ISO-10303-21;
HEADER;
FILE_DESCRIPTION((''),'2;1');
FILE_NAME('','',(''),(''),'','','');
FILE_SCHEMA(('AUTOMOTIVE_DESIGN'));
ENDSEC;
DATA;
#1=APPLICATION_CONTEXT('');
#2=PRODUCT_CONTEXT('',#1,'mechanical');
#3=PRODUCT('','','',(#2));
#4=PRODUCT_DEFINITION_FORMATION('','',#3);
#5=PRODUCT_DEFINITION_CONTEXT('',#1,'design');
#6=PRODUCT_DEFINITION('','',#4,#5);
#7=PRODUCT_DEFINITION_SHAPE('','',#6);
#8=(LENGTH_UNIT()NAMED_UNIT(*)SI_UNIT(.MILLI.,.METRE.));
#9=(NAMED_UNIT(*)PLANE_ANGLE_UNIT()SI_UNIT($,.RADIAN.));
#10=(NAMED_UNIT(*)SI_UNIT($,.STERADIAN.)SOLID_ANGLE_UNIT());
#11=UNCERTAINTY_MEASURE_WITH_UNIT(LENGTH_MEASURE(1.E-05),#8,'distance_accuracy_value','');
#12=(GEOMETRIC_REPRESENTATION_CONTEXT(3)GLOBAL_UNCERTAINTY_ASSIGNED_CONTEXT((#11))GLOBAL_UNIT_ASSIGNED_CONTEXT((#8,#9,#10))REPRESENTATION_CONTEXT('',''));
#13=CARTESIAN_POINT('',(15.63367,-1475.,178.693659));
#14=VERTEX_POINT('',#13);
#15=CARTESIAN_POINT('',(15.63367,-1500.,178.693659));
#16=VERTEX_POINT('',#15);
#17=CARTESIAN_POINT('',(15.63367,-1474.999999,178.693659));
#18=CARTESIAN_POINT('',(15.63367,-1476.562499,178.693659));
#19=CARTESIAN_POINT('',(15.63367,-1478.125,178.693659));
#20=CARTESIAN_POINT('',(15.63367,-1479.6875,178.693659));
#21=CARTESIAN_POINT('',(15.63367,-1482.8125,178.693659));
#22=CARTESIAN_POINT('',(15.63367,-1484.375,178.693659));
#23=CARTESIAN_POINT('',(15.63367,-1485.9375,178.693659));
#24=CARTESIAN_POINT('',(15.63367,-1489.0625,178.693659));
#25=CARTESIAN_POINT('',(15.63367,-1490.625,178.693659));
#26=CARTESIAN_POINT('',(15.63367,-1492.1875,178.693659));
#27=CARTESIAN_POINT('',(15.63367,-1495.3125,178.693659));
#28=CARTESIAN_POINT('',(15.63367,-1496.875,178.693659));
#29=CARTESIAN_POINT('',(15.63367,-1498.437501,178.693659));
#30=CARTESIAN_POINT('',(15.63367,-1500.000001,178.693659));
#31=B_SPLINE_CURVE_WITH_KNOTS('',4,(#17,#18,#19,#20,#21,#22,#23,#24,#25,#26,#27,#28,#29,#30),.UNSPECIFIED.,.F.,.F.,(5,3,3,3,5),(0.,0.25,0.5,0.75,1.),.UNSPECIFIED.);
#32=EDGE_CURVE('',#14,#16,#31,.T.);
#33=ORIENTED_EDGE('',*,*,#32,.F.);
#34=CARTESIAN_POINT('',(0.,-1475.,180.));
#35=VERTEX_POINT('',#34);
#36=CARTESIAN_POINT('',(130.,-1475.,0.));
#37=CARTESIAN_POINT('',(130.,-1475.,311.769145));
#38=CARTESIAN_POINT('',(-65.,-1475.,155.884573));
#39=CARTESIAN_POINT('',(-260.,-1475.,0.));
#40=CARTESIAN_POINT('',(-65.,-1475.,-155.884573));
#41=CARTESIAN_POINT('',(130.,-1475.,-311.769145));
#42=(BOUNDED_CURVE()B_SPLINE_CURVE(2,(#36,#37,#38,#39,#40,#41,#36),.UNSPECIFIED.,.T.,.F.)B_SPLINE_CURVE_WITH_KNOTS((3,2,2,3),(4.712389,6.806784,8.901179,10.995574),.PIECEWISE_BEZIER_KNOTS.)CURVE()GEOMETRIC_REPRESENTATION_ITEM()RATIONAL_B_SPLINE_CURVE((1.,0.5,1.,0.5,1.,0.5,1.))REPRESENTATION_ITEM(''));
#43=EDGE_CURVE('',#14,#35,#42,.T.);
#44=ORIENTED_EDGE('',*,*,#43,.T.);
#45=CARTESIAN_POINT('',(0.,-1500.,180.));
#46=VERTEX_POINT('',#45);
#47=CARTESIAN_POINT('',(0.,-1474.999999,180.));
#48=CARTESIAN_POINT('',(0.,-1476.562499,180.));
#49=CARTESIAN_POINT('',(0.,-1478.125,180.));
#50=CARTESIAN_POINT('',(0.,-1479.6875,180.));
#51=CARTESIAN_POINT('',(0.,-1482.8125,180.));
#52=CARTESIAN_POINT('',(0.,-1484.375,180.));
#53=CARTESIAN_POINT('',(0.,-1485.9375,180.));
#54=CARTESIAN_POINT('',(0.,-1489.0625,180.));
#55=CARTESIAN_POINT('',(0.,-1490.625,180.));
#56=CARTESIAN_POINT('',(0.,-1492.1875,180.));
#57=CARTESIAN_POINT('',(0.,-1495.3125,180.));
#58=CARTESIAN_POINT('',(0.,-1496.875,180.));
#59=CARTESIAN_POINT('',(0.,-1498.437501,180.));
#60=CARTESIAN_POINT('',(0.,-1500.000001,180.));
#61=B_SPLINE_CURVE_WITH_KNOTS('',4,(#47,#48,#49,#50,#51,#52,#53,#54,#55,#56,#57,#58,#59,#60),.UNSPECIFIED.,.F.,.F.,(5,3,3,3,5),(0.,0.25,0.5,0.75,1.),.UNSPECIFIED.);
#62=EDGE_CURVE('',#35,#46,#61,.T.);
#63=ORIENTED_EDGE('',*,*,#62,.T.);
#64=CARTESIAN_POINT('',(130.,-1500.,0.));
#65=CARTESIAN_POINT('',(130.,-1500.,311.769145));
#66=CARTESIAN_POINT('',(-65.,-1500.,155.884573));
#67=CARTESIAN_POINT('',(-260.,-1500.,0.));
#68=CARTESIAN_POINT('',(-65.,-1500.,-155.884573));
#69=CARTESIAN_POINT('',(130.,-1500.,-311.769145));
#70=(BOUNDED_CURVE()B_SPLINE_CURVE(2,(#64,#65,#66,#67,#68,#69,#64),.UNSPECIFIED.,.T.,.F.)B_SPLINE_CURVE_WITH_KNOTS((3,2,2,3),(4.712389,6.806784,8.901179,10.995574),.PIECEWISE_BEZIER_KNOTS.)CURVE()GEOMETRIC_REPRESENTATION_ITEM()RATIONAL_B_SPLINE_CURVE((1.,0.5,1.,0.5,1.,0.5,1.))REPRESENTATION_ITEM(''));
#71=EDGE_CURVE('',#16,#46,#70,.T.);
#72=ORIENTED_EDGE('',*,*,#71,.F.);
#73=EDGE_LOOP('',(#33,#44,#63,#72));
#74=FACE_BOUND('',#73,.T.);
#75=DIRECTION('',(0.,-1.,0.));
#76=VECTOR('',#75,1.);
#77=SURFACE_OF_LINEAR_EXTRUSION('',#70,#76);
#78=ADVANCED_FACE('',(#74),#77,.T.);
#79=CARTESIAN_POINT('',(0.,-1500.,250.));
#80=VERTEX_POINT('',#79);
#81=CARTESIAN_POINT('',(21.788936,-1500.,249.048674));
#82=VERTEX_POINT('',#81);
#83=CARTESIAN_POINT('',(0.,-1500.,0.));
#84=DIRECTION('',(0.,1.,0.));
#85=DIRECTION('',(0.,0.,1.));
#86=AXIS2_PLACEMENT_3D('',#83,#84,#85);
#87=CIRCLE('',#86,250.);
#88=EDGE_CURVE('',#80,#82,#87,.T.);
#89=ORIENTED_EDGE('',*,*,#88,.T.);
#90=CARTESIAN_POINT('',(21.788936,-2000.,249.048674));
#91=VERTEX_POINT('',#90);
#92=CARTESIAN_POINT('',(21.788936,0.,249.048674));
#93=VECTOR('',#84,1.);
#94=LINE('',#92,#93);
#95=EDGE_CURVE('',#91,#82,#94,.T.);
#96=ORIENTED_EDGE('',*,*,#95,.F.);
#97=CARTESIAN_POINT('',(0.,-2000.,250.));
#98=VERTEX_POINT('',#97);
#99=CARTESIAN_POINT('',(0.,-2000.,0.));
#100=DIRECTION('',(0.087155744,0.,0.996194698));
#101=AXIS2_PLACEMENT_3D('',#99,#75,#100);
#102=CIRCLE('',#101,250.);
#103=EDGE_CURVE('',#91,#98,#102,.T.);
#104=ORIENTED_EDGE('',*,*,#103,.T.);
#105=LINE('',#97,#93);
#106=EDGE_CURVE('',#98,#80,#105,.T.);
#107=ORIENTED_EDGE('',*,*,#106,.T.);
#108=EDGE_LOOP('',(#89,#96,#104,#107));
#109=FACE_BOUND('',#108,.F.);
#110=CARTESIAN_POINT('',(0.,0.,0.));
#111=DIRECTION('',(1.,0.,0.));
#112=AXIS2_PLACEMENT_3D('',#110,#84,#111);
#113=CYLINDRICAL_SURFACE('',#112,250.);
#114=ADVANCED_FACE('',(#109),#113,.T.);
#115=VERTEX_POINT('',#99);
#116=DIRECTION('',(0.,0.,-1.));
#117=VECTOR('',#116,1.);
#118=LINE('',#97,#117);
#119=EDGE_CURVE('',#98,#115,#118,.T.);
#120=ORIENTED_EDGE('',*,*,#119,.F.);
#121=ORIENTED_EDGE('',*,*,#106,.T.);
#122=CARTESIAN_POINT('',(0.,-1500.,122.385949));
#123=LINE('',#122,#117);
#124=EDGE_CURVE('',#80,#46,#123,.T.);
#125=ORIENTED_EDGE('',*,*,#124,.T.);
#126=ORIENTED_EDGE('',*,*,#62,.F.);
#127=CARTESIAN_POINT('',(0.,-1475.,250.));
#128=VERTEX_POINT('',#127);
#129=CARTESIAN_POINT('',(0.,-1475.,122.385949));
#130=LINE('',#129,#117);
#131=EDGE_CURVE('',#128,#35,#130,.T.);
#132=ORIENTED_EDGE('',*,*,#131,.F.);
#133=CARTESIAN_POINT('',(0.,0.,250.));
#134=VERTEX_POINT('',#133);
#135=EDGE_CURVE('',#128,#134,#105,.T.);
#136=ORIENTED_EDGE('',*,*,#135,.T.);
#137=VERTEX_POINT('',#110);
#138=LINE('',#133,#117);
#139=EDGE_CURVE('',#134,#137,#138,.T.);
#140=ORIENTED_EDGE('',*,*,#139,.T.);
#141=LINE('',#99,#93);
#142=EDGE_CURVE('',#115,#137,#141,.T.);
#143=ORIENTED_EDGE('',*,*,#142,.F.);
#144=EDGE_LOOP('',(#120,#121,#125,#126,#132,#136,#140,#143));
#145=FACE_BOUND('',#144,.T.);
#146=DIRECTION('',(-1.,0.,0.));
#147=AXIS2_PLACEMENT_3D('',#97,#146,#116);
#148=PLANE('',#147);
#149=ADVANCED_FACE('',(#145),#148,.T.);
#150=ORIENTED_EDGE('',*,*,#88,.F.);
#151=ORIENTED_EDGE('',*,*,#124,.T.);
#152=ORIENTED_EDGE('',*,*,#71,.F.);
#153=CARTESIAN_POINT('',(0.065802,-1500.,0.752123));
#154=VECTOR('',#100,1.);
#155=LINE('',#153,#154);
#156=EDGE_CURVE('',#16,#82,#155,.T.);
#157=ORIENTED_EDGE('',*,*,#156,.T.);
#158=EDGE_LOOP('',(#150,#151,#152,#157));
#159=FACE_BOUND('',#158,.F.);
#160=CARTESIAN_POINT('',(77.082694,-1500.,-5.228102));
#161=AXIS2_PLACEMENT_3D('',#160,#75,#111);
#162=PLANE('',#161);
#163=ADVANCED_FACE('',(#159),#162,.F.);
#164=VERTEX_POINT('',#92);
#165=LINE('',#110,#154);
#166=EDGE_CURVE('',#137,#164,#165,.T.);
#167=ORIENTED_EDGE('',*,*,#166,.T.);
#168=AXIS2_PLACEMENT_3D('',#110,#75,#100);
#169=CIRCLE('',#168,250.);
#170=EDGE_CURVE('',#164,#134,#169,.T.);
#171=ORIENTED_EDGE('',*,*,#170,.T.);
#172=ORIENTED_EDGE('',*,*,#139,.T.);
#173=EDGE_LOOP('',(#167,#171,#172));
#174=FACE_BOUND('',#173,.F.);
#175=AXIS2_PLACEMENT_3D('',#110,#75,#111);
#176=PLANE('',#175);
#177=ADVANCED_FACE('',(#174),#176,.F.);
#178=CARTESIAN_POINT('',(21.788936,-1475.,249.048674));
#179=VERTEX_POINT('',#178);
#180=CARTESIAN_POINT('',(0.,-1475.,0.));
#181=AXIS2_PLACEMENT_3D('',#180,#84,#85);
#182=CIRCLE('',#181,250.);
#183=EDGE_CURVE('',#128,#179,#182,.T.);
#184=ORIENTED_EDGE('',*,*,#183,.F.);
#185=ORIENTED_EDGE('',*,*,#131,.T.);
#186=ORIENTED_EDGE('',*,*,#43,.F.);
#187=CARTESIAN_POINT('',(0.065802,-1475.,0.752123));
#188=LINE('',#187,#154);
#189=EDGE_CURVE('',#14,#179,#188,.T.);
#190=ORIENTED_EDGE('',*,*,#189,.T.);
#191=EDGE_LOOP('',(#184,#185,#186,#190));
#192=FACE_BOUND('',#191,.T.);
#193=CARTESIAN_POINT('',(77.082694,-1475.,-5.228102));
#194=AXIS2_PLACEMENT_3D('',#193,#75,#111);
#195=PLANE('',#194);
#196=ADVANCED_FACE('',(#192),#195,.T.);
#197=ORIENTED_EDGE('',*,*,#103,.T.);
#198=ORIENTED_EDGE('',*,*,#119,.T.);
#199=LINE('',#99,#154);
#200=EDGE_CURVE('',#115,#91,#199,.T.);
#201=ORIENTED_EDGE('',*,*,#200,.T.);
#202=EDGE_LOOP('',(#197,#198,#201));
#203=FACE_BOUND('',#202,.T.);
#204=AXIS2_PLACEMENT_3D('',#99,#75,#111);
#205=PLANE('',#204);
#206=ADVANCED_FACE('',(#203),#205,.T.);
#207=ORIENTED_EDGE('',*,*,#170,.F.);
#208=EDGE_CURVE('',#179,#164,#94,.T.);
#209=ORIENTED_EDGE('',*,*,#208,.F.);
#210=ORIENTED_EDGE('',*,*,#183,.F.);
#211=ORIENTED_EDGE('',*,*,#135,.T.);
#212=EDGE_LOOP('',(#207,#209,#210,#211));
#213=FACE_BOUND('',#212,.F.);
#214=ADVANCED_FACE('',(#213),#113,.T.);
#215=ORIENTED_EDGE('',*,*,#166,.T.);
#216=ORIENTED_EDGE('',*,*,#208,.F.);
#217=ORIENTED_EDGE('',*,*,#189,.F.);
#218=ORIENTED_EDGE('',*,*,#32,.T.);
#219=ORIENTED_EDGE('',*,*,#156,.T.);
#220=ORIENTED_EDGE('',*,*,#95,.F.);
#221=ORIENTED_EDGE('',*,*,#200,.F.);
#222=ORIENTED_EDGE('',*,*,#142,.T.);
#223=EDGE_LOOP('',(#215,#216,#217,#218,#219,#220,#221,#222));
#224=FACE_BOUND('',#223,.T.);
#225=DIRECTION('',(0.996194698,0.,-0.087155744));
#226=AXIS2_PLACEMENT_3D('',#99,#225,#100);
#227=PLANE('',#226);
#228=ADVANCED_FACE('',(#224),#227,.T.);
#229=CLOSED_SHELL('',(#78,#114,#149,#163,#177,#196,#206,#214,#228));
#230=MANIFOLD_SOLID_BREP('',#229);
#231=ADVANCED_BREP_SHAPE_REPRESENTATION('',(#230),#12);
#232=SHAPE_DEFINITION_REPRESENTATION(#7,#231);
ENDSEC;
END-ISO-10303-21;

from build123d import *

# Parameters (mm, degrees)
F0_R     = 250
F1_DEPTH = 2000
F3_W     = 886.840463
F3_H     = 523.860752
F4_DEPTH = 25
F6_DEPTH = 2000


with BuildPart() as f1:
    # F0 (on Front) → F1 (new body)
    with BuildSketch(Plane.XZ):
        Circle(F0_R)
    extrude(amount=F1_DEPTH)

    # F3 (on offset) → F4 (cut)
    with BuildSketch(Plane.XZ.offset(1500)):
        with Locations((77.082694, -5.228102)):
            Rectangle(F3_W, F3_H)
        with BuildLine():
            add(Edge.make_bspline(
                [(130, 0), (130, 311.769145), (-65, 155.884573), (-260, 0), (-65, -155.884573), (130, -311.769145), (130, 0)],
                knots=[4.712389, 4.712389, 4.712389, 6.806784, 6.806784, 8.901179, 8.901179, 10.995574, 10.995574, 10.995574], degree=2, weights=[1, 0.5, 1, 0.5, 1, 0.5, 1]))
        make_face(mode=Mode.SUBTRACT)
    extrude(amount=-F4_DEPTH, mode=Mode.SUBTRACT)

    # F5 (on face) → F6 (intersect)
    with BuildSketch(Plane.XZ.offset(2000)):
        with BuildLine():
            Line((0, 250), (0, 0))
            Line((0, 0), (21.788936, 249.048675))
            ThreePointArc((21.788936, 249.048675), (10.904847, 249.762055), (0, 250))
        make_face()
    extrude(amount=-F6_DEPTH, mode=Mode.INTERSECT)


solid = f1.part
